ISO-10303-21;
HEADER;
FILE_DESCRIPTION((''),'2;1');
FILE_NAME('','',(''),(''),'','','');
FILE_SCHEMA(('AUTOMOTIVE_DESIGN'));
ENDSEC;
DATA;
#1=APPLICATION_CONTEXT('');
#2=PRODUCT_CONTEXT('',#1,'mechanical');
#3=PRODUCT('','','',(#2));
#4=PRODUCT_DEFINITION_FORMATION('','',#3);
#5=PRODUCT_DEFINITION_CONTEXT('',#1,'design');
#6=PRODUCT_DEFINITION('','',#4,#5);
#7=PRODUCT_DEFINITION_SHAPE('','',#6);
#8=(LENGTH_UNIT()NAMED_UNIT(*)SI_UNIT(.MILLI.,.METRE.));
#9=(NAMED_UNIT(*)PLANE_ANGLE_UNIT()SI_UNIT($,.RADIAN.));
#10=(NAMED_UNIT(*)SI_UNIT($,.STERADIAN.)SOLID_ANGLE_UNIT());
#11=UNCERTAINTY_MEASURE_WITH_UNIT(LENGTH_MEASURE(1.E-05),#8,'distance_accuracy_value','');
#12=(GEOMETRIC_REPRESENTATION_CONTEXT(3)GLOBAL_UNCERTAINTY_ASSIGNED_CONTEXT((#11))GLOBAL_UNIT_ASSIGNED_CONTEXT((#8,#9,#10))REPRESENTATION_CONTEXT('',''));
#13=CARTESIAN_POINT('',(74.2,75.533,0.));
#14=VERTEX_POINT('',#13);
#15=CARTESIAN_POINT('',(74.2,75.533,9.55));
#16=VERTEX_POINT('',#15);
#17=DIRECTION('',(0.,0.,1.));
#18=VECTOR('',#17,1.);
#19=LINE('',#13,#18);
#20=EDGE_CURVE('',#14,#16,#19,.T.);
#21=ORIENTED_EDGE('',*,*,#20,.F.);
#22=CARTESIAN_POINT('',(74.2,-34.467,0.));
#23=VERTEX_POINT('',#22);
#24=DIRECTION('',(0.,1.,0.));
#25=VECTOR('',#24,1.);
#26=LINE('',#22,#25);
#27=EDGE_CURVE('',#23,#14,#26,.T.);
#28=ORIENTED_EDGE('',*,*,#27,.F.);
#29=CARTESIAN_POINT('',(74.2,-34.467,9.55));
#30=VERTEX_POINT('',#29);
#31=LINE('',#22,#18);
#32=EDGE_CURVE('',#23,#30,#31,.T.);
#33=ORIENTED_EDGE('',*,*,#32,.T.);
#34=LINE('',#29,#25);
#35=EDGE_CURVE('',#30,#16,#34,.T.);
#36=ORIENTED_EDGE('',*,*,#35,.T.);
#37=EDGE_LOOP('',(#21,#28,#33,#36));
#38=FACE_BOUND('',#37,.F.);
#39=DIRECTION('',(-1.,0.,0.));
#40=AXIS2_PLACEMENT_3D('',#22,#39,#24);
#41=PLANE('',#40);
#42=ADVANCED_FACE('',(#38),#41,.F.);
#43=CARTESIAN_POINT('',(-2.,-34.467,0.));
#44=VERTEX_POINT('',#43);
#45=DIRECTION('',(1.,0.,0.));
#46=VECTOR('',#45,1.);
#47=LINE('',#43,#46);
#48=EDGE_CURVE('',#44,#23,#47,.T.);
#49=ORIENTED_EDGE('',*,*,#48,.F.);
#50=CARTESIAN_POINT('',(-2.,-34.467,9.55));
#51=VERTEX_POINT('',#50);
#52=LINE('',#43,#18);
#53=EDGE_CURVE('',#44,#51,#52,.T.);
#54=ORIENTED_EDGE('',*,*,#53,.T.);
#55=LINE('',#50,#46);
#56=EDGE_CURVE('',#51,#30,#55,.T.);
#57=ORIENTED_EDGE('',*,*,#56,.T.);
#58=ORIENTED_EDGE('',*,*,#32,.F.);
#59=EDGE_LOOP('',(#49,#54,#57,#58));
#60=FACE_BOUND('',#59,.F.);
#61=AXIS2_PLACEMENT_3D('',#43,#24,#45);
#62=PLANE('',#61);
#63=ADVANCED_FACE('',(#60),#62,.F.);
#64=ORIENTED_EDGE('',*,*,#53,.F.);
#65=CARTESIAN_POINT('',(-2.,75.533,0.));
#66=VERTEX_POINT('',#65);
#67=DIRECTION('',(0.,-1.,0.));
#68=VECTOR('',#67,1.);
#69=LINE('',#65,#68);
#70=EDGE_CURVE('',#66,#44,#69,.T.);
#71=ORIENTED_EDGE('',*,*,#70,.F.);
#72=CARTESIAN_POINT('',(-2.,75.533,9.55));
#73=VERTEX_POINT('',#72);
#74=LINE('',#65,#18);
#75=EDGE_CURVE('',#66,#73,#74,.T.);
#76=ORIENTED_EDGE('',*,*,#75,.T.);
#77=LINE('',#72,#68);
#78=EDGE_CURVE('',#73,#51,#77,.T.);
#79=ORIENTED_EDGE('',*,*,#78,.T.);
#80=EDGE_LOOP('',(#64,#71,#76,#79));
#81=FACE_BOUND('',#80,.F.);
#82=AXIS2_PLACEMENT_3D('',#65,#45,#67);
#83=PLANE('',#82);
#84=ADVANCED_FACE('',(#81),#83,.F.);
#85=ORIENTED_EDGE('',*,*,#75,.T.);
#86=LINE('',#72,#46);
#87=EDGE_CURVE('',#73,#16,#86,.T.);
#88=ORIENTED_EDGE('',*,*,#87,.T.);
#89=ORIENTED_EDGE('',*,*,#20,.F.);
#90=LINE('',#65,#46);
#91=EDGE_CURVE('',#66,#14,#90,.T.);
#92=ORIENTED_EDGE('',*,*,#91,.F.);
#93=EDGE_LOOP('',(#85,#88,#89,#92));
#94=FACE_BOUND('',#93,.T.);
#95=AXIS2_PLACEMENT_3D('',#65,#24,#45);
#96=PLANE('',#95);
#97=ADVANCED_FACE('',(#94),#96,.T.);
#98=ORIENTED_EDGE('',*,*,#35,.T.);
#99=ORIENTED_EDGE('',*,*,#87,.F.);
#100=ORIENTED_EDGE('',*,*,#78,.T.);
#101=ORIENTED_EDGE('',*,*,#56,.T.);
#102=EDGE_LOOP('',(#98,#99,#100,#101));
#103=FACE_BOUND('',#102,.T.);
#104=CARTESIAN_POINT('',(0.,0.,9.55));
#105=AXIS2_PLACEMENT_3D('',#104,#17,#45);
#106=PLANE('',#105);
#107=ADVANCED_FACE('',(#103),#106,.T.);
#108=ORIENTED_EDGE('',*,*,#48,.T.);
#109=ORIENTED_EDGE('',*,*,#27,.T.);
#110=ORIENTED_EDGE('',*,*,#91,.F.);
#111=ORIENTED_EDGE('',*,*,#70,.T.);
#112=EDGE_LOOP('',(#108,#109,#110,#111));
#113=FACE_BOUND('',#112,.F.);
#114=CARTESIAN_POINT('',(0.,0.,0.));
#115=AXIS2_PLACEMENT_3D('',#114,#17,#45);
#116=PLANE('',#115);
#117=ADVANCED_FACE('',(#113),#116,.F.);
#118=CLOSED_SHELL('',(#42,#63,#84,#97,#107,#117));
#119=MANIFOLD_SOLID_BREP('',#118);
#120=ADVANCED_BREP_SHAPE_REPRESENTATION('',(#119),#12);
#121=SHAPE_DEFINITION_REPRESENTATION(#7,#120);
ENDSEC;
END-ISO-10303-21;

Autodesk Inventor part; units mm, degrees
ref_plane "YZ Plane" through (0, 0, 0) normal (1, 0, 0) x (0, 1, 0)
ref_plane "XZ Plane" through (0, 0, 0) normal (0, 1, 0) x (-1, 0, 0)
ref_plane "XY Plane" through (0, 0, 0) normal (0, 0, 1) x (1, 0, 0)
sketch "Esboço1" plane through (0, 0, 0) normal (0, 0, 1) x (1, 0, 0)
  line L0 (-2, 75.533) -> (-2, -34.467)
  line L1 (74.2, -34.467) -> (74.2, 75.533)
  line L2 (-2, -34.467) -> (74.2, -34.467)
  line L3 (-2, 75.533) -> (74.2, 75.533)
  line L4 (36.1, -19.227) -> (36.1, -34.467) construction
  dimension "d48" = 76.2
  dimension "d49" = 110
extrude "Extrusão1" add sketch "Esboço1" along normal blind 9.55
properties part number "suporte_boca_soprador" material "Alumínio-6061-AHC"
